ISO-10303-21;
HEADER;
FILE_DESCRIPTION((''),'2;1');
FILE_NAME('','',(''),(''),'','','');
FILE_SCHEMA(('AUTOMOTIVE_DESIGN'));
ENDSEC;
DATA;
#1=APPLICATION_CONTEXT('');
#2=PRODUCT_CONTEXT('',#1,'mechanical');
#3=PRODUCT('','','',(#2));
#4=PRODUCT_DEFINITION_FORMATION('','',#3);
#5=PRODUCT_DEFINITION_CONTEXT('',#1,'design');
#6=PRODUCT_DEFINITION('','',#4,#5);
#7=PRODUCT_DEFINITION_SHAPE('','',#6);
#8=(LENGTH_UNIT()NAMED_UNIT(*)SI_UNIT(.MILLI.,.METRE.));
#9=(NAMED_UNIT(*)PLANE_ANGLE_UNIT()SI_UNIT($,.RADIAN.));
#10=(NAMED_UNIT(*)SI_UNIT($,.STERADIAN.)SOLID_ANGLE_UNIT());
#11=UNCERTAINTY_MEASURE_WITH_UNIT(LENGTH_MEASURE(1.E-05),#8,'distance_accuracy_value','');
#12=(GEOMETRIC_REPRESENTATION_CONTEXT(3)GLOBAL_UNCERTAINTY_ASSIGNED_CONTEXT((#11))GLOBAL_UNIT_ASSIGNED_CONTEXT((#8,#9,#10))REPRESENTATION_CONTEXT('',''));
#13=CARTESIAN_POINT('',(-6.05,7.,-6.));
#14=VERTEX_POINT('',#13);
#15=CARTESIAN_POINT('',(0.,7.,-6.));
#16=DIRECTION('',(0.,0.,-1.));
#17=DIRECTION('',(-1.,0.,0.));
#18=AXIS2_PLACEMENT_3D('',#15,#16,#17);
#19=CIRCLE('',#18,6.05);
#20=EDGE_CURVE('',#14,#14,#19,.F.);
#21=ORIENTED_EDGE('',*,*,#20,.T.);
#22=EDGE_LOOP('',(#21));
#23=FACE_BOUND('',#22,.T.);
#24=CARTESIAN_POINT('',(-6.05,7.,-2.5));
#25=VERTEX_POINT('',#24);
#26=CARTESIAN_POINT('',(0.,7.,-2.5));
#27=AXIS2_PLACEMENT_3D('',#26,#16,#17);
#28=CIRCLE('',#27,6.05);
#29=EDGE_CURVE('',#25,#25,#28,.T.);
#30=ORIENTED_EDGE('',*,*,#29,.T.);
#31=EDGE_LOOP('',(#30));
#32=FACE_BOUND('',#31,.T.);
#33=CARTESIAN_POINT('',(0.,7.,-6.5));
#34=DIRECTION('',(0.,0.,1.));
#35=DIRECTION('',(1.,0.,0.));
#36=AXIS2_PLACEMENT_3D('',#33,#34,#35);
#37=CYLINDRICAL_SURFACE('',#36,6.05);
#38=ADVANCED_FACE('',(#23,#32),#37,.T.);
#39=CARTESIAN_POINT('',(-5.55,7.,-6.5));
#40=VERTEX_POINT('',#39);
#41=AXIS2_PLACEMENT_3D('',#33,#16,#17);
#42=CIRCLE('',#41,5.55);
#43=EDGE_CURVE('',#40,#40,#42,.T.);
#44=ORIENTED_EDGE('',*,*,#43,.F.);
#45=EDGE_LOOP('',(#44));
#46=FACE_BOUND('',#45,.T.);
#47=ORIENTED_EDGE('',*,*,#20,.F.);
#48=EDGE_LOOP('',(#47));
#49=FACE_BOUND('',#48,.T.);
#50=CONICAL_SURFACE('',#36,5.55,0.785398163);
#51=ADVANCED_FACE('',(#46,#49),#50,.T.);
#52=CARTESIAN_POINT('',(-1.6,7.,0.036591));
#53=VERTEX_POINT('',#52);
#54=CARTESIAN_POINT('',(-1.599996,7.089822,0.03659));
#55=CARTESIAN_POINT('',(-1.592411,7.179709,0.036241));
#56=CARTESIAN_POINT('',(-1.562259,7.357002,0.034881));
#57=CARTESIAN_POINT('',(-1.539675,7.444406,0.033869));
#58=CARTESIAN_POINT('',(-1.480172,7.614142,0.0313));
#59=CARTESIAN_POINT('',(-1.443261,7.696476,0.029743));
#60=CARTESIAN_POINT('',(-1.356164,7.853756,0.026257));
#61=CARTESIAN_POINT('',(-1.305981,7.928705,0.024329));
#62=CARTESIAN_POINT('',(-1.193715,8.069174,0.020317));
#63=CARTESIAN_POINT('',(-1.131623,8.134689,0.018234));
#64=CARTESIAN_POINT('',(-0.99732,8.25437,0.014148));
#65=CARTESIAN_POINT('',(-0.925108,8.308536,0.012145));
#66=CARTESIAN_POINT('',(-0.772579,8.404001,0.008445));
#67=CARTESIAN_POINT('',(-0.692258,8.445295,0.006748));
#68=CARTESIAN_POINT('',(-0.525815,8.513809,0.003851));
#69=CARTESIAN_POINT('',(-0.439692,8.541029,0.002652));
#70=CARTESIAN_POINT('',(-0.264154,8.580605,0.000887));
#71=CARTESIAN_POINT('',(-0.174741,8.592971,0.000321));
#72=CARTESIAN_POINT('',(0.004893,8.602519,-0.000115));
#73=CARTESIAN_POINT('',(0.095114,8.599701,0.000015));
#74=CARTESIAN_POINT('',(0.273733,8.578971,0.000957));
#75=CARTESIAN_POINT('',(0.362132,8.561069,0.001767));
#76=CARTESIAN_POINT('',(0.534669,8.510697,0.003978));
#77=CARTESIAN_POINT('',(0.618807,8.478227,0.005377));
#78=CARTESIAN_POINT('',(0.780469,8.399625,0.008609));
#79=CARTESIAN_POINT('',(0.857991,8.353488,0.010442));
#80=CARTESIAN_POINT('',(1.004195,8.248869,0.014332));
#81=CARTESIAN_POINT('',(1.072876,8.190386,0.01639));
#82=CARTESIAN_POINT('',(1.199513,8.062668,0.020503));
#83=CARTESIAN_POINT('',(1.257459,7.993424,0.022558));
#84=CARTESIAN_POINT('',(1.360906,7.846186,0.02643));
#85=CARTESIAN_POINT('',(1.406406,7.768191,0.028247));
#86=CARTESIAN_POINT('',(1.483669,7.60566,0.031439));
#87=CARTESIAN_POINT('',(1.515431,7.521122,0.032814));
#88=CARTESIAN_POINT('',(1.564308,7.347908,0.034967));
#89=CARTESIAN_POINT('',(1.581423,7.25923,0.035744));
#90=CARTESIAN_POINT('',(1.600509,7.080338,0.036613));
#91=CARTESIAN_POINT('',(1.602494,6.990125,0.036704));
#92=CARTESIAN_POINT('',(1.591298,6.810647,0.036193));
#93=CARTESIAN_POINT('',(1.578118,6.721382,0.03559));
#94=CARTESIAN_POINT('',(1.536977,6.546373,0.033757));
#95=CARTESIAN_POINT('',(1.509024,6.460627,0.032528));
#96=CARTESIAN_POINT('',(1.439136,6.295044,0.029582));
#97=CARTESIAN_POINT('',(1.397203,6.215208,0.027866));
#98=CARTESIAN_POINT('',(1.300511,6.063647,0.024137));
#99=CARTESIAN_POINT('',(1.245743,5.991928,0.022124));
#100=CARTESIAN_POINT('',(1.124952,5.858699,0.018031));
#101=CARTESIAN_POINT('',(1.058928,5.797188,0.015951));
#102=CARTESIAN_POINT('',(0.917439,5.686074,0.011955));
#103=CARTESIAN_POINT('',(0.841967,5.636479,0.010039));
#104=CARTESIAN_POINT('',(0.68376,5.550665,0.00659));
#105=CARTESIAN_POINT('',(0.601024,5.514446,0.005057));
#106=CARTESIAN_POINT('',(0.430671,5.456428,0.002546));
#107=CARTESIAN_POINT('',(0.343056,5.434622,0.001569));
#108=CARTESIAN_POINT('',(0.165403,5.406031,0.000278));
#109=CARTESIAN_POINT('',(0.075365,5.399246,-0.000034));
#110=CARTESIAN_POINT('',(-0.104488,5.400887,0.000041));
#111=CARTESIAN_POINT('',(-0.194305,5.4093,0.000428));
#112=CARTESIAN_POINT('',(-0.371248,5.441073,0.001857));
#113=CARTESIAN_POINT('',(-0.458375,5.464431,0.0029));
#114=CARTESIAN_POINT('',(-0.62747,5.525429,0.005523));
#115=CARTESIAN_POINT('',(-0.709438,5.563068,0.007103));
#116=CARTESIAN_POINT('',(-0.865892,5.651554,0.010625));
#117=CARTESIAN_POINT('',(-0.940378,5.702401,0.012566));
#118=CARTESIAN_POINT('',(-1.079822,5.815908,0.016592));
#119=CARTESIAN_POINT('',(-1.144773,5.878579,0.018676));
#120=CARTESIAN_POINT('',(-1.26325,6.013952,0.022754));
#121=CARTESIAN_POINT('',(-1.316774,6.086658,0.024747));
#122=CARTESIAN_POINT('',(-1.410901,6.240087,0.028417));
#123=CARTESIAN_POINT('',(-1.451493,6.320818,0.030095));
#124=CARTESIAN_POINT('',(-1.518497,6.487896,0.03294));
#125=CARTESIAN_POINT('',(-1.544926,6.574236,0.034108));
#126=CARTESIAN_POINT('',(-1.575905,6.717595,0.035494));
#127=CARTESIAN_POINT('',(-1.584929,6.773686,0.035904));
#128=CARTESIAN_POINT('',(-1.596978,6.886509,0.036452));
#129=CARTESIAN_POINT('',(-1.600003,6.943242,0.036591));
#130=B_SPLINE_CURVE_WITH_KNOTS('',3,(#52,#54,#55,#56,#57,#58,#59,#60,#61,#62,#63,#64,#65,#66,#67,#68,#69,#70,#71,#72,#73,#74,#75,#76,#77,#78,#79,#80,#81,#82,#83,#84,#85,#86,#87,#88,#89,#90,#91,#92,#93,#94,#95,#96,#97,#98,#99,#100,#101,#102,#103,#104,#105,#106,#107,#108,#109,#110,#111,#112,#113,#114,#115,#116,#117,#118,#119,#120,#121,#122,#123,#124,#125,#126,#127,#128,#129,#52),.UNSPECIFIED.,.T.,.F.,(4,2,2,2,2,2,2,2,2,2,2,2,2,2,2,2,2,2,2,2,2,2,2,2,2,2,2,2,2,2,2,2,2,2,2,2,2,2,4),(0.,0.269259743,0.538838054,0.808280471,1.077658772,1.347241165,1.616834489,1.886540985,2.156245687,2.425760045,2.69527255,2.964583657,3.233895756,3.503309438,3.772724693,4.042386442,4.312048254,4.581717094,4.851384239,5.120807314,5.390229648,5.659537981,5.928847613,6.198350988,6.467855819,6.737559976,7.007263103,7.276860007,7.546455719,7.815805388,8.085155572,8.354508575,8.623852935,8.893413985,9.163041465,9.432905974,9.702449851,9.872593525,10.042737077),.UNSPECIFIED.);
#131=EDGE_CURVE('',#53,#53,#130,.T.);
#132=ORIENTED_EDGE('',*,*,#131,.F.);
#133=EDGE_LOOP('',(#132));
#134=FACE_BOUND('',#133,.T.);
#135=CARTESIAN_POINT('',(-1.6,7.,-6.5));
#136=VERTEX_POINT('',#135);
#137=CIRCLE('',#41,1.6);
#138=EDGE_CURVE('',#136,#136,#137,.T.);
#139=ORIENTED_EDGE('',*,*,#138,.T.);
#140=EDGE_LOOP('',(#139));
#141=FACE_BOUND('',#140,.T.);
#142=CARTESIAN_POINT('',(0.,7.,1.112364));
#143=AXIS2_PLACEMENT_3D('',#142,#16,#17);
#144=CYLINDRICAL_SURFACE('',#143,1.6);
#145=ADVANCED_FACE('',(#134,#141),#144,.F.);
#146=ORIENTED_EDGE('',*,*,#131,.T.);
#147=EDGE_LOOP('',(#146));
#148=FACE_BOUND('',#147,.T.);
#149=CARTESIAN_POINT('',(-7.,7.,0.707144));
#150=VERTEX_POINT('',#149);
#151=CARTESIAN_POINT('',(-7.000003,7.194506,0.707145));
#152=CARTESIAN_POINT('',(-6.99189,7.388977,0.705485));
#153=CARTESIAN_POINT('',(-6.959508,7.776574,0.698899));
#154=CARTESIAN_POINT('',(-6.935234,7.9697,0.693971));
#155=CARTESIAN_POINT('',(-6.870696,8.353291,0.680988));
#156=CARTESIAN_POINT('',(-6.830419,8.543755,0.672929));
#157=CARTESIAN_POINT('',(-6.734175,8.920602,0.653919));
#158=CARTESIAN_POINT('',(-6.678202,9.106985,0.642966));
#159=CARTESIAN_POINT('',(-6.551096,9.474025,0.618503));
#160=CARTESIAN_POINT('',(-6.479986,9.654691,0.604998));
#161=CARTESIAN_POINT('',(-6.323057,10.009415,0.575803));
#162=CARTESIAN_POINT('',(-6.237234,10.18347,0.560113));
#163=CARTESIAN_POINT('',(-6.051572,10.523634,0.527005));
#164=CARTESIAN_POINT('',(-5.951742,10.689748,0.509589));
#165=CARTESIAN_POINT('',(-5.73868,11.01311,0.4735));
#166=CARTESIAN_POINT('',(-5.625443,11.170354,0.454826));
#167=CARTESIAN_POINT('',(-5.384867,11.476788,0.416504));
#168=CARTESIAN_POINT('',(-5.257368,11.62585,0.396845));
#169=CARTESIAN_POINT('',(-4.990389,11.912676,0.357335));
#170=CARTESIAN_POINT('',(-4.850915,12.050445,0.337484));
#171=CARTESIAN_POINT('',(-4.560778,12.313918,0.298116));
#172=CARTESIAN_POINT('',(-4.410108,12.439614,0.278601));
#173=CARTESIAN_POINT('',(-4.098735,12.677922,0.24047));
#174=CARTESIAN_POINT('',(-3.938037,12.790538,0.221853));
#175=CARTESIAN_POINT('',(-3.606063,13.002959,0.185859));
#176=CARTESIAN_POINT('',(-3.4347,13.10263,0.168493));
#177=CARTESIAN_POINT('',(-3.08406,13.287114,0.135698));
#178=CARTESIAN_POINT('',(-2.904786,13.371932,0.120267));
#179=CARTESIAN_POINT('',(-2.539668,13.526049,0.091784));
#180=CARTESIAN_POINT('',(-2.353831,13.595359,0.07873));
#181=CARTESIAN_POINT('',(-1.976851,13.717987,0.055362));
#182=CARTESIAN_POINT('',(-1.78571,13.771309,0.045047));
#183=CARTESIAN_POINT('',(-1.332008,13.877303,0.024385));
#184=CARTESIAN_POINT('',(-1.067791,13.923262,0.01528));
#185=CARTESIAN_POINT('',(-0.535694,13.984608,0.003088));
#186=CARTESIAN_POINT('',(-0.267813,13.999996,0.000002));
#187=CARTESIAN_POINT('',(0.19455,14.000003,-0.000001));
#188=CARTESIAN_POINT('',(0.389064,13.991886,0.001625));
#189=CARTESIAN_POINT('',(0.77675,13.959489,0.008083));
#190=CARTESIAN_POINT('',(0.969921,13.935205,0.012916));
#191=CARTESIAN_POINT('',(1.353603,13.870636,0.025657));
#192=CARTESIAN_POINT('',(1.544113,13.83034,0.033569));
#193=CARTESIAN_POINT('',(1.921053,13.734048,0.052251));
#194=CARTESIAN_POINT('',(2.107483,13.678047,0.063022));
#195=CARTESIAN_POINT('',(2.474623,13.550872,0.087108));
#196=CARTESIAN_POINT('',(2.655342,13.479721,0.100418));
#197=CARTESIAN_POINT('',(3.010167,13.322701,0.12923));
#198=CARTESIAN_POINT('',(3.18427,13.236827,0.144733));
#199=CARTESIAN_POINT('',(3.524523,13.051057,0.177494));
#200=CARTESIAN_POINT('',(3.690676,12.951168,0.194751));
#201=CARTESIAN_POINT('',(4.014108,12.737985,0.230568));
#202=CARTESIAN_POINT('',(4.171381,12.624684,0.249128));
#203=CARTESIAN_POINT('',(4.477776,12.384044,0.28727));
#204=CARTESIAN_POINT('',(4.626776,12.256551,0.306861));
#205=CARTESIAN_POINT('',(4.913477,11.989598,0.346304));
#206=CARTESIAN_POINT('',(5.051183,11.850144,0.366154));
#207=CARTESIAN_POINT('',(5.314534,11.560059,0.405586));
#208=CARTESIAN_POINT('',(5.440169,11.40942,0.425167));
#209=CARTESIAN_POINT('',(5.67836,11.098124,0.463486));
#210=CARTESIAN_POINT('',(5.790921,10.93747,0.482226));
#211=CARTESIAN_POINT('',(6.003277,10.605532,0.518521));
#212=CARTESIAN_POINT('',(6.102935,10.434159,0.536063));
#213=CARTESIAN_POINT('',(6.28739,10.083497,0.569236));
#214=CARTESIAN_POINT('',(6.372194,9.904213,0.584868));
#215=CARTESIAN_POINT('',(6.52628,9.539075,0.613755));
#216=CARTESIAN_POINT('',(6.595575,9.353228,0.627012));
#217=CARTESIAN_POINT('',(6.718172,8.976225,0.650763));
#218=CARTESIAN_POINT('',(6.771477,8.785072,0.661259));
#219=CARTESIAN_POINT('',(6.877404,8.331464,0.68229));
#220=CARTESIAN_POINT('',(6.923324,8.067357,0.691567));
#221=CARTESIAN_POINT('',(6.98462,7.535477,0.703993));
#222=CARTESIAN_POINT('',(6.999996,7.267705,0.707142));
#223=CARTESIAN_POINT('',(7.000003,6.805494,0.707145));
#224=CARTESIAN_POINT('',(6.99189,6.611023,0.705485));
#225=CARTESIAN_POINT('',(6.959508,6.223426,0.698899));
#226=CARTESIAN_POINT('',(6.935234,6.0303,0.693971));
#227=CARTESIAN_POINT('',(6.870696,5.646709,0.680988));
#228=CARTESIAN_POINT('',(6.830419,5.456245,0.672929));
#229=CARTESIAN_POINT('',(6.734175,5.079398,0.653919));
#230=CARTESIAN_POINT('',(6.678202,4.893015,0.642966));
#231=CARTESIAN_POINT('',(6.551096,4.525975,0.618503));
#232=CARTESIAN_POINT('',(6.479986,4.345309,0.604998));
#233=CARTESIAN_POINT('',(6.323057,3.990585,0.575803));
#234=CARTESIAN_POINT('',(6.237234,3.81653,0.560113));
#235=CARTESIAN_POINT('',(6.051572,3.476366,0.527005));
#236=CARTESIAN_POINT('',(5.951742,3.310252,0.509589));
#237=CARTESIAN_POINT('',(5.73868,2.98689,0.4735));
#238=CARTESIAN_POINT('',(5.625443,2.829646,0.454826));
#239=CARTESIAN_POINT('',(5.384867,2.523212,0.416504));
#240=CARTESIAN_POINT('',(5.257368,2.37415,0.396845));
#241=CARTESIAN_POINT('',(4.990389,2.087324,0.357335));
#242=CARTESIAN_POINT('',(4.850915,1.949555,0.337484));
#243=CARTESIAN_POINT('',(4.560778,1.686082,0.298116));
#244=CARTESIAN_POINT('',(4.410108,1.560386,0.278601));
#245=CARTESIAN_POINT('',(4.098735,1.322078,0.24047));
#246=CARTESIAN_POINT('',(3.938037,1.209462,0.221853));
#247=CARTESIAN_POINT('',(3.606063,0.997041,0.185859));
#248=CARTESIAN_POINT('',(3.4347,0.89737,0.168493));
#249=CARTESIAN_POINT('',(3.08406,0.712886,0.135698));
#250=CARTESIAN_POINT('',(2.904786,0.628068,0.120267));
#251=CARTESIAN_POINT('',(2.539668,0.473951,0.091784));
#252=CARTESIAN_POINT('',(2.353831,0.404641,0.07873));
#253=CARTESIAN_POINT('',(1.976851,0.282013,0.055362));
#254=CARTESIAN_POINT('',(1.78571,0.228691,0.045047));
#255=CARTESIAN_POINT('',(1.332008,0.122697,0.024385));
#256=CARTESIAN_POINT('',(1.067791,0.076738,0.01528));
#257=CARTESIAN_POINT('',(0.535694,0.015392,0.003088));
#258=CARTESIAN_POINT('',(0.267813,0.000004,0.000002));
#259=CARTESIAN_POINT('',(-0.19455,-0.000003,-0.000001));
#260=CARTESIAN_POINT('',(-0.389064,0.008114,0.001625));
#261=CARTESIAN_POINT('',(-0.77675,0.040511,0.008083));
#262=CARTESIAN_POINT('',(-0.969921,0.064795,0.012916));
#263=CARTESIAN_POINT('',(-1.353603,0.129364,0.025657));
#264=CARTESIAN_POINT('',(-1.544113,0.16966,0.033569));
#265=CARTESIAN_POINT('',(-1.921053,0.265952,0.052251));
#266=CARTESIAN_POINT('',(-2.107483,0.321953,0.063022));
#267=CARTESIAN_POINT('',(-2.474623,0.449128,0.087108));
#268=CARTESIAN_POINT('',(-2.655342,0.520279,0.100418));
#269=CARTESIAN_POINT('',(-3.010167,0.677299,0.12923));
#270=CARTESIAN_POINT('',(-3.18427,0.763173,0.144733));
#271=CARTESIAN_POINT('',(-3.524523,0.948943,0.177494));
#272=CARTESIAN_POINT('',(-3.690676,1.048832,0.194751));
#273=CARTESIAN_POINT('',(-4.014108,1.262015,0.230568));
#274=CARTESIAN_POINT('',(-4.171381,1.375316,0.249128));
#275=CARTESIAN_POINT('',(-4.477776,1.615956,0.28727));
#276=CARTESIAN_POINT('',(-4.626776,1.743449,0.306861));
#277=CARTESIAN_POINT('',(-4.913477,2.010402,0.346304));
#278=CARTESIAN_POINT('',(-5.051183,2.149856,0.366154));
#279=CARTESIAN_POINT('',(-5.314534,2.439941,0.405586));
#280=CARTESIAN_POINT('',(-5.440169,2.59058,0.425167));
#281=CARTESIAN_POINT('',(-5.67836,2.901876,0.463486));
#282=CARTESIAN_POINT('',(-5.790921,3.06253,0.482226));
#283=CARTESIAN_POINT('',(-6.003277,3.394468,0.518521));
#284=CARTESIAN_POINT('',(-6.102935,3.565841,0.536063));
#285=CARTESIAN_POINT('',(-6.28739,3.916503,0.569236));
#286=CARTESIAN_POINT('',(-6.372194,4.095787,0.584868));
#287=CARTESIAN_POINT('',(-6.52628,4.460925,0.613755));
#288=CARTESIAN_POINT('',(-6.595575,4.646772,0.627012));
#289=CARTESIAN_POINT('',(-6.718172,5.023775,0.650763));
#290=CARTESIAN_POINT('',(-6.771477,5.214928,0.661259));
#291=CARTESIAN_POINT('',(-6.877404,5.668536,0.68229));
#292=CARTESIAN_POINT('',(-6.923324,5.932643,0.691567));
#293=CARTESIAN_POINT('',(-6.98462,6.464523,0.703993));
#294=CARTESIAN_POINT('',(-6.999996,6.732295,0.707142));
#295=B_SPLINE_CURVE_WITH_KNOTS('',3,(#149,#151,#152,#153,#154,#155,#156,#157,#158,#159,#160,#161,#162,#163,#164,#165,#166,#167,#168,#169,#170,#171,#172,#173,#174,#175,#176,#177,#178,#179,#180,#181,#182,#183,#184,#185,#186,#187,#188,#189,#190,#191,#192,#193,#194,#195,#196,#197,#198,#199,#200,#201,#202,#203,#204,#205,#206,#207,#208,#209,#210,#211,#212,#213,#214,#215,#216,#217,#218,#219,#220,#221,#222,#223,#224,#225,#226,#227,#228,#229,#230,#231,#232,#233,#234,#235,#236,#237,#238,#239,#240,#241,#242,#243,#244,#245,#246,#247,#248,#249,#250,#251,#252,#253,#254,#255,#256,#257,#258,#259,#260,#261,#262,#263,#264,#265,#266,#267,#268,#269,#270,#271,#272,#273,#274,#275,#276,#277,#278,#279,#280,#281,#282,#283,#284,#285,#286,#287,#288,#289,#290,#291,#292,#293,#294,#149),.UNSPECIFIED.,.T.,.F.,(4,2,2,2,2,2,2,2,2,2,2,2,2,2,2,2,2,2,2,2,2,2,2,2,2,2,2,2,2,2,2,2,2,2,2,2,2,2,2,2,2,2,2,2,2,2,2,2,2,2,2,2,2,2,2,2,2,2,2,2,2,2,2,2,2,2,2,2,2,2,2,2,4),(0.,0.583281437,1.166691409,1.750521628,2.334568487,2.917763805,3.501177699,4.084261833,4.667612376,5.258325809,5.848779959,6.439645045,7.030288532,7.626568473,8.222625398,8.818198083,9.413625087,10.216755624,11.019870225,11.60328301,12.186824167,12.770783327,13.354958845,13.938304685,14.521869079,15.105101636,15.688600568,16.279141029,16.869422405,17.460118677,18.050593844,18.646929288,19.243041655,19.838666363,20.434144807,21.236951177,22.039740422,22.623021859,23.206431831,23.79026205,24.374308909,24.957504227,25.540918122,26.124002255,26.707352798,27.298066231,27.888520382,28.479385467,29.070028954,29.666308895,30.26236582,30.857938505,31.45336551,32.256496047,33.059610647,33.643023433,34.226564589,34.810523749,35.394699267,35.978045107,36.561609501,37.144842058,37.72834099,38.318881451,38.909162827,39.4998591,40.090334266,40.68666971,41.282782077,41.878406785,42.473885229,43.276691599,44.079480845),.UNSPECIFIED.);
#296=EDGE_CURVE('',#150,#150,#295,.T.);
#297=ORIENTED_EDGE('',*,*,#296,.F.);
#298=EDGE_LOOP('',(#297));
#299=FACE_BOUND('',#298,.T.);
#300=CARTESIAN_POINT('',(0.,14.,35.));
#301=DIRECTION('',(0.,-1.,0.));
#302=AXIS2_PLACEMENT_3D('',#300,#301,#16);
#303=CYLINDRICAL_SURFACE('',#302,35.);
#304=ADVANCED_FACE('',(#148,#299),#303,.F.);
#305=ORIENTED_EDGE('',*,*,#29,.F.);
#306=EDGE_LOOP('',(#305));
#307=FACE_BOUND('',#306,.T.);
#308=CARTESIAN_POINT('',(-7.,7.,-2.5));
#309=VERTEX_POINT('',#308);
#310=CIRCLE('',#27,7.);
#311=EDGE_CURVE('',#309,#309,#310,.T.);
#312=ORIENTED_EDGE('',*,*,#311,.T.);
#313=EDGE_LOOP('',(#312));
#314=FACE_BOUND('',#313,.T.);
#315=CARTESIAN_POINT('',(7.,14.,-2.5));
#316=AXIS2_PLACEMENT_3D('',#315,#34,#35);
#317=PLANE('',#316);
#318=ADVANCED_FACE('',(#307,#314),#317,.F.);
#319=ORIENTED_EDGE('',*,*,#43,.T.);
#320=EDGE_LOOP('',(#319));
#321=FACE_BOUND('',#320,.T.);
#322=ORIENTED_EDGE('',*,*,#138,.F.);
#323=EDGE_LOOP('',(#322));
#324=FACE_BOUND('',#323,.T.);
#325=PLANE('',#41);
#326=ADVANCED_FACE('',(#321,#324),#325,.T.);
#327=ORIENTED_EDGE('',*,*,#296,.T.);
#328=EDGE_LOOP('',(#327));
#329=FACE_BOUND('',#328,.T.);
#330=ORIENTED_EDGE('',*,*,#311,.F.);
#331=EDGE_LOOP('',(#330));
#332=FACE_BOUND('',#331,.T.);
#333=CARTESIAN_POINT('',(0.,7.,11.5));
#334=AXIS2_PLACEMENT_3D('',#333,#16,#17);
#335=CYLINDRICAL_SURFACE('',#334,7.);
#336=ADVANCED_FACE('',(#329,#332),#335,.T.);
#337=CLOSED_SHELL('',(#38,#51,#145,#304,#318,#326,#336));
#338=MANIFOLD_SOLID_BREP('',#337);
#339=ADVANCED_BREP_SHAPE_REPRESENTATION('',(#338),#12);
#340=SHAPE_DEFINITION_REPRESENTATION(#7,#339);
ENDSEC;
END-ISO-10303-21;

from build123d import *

# Parameters (mm, degrees)
EXTRUDE_1_DEPTH     = 14
CUT_EXTRUDE_3_DEPTH = 14
SKETCH_3_R          = 6.05
EXTRUDE_2_DEPTH     = 4
CHAMFER_1_SIZE      = 0.5
SKETCH_4_R          = 1.6
CUT_EXTRUDE_4_DEPTH = 8.207143701


with BuildPart() as part:
    # Эскиз1 → Бобышка-Вытянуть1 (new body)
    with BuildSketch(Plane(origin=(0, 0, 0), x_dir=(1, 0, 0), z_dir=(0, 1, 0))):
        with BuildLine():
            Line((7, 2.5), (-7, 2.5))
            Line((-7, 2.5), (-7, -0.707143601))
            ThreePointArc((-7, -0.707143601), (0, 0), (7, -0.707143601))
            Line((7, -0.707143601), (7, 2.5))
        make_face()
    extrude(amount=EXTRUDE_1_DEPTH)

    # Эскиз2 → Вырез-Вытянуть3 (cut)
    with BuildSketch(Plane(origin=(0, 0, -2.5), x_dir=(-1, 0, 0), z_dir=(0, 0, -1))):
        with BuildLine():
            ThreePointArc((0, 0), (-4.949747468, 2.050252532), (-7, 7))
            Line((-7, 7), (-7, 0))
            Line((-7, 0), (0, 0))
        make_face()
        with BuildLine():
            Line((0, 14), (-7, 14))
            Line((-7, 14), (-7, 7))
            ThreePointArc((-7, 7), (-4.949747468, 11.949747468), (0, 14))
        make_face()
        with BuildLine():
            Line((7, 14), (0, 14))
            ThreePointArc((0, 14), (4.949747468, 11.949747468), (7, 7))
            Line((7, 7), (7, 14))
        make_face()
        with BuildLine():
            Line((7, 0), (7, 7))
            ThreePointArc((7, 7), (4.949747468, 2.050252532), (0, 0))
            Line((0, 0), (7, 0))
        make_face()
    extrude(amount=-CUT_EXTRUDE_3_DEPTH, mode=Mode.SUBTRACT)

    # Эскиз3 → Бобышка-Вытянуть2 (add)
    with BuildSketch(Plane(origin=(0, 0, -2.5), x_dir=(-1, 0, 0), z_dir=(0, 0, -1))):
        with Locations((0, 7)):
            Circle(SKETCH_3_R)
    extrude(amount=EXTRUDE_2_DEPTH)

    # Фаска1
    chamfer_1_edges = [part.edges().sort_by_distance(p)[0] for p in [
        (6.05, 7, -6.5),
    ]]
    chamfer(chamfer_1_edges, length=CHAMFER_1_SIZE)

    # Эскиз4 → Вырез-Вытянуть4 (cut, through all)
    with BuildSketch(Plane(origin=(0, 0, -6.5), x_dir=(-1, 0, 0), z_dir=(0, 0, -1))):
        with Locations((0, 7)):
            Circle(SKETCH_4_R)
    extrude(amount=-CUT_EXTRUDE_4_DEPTH, mode=Mode.SUBTRACT)


solid = part.part
